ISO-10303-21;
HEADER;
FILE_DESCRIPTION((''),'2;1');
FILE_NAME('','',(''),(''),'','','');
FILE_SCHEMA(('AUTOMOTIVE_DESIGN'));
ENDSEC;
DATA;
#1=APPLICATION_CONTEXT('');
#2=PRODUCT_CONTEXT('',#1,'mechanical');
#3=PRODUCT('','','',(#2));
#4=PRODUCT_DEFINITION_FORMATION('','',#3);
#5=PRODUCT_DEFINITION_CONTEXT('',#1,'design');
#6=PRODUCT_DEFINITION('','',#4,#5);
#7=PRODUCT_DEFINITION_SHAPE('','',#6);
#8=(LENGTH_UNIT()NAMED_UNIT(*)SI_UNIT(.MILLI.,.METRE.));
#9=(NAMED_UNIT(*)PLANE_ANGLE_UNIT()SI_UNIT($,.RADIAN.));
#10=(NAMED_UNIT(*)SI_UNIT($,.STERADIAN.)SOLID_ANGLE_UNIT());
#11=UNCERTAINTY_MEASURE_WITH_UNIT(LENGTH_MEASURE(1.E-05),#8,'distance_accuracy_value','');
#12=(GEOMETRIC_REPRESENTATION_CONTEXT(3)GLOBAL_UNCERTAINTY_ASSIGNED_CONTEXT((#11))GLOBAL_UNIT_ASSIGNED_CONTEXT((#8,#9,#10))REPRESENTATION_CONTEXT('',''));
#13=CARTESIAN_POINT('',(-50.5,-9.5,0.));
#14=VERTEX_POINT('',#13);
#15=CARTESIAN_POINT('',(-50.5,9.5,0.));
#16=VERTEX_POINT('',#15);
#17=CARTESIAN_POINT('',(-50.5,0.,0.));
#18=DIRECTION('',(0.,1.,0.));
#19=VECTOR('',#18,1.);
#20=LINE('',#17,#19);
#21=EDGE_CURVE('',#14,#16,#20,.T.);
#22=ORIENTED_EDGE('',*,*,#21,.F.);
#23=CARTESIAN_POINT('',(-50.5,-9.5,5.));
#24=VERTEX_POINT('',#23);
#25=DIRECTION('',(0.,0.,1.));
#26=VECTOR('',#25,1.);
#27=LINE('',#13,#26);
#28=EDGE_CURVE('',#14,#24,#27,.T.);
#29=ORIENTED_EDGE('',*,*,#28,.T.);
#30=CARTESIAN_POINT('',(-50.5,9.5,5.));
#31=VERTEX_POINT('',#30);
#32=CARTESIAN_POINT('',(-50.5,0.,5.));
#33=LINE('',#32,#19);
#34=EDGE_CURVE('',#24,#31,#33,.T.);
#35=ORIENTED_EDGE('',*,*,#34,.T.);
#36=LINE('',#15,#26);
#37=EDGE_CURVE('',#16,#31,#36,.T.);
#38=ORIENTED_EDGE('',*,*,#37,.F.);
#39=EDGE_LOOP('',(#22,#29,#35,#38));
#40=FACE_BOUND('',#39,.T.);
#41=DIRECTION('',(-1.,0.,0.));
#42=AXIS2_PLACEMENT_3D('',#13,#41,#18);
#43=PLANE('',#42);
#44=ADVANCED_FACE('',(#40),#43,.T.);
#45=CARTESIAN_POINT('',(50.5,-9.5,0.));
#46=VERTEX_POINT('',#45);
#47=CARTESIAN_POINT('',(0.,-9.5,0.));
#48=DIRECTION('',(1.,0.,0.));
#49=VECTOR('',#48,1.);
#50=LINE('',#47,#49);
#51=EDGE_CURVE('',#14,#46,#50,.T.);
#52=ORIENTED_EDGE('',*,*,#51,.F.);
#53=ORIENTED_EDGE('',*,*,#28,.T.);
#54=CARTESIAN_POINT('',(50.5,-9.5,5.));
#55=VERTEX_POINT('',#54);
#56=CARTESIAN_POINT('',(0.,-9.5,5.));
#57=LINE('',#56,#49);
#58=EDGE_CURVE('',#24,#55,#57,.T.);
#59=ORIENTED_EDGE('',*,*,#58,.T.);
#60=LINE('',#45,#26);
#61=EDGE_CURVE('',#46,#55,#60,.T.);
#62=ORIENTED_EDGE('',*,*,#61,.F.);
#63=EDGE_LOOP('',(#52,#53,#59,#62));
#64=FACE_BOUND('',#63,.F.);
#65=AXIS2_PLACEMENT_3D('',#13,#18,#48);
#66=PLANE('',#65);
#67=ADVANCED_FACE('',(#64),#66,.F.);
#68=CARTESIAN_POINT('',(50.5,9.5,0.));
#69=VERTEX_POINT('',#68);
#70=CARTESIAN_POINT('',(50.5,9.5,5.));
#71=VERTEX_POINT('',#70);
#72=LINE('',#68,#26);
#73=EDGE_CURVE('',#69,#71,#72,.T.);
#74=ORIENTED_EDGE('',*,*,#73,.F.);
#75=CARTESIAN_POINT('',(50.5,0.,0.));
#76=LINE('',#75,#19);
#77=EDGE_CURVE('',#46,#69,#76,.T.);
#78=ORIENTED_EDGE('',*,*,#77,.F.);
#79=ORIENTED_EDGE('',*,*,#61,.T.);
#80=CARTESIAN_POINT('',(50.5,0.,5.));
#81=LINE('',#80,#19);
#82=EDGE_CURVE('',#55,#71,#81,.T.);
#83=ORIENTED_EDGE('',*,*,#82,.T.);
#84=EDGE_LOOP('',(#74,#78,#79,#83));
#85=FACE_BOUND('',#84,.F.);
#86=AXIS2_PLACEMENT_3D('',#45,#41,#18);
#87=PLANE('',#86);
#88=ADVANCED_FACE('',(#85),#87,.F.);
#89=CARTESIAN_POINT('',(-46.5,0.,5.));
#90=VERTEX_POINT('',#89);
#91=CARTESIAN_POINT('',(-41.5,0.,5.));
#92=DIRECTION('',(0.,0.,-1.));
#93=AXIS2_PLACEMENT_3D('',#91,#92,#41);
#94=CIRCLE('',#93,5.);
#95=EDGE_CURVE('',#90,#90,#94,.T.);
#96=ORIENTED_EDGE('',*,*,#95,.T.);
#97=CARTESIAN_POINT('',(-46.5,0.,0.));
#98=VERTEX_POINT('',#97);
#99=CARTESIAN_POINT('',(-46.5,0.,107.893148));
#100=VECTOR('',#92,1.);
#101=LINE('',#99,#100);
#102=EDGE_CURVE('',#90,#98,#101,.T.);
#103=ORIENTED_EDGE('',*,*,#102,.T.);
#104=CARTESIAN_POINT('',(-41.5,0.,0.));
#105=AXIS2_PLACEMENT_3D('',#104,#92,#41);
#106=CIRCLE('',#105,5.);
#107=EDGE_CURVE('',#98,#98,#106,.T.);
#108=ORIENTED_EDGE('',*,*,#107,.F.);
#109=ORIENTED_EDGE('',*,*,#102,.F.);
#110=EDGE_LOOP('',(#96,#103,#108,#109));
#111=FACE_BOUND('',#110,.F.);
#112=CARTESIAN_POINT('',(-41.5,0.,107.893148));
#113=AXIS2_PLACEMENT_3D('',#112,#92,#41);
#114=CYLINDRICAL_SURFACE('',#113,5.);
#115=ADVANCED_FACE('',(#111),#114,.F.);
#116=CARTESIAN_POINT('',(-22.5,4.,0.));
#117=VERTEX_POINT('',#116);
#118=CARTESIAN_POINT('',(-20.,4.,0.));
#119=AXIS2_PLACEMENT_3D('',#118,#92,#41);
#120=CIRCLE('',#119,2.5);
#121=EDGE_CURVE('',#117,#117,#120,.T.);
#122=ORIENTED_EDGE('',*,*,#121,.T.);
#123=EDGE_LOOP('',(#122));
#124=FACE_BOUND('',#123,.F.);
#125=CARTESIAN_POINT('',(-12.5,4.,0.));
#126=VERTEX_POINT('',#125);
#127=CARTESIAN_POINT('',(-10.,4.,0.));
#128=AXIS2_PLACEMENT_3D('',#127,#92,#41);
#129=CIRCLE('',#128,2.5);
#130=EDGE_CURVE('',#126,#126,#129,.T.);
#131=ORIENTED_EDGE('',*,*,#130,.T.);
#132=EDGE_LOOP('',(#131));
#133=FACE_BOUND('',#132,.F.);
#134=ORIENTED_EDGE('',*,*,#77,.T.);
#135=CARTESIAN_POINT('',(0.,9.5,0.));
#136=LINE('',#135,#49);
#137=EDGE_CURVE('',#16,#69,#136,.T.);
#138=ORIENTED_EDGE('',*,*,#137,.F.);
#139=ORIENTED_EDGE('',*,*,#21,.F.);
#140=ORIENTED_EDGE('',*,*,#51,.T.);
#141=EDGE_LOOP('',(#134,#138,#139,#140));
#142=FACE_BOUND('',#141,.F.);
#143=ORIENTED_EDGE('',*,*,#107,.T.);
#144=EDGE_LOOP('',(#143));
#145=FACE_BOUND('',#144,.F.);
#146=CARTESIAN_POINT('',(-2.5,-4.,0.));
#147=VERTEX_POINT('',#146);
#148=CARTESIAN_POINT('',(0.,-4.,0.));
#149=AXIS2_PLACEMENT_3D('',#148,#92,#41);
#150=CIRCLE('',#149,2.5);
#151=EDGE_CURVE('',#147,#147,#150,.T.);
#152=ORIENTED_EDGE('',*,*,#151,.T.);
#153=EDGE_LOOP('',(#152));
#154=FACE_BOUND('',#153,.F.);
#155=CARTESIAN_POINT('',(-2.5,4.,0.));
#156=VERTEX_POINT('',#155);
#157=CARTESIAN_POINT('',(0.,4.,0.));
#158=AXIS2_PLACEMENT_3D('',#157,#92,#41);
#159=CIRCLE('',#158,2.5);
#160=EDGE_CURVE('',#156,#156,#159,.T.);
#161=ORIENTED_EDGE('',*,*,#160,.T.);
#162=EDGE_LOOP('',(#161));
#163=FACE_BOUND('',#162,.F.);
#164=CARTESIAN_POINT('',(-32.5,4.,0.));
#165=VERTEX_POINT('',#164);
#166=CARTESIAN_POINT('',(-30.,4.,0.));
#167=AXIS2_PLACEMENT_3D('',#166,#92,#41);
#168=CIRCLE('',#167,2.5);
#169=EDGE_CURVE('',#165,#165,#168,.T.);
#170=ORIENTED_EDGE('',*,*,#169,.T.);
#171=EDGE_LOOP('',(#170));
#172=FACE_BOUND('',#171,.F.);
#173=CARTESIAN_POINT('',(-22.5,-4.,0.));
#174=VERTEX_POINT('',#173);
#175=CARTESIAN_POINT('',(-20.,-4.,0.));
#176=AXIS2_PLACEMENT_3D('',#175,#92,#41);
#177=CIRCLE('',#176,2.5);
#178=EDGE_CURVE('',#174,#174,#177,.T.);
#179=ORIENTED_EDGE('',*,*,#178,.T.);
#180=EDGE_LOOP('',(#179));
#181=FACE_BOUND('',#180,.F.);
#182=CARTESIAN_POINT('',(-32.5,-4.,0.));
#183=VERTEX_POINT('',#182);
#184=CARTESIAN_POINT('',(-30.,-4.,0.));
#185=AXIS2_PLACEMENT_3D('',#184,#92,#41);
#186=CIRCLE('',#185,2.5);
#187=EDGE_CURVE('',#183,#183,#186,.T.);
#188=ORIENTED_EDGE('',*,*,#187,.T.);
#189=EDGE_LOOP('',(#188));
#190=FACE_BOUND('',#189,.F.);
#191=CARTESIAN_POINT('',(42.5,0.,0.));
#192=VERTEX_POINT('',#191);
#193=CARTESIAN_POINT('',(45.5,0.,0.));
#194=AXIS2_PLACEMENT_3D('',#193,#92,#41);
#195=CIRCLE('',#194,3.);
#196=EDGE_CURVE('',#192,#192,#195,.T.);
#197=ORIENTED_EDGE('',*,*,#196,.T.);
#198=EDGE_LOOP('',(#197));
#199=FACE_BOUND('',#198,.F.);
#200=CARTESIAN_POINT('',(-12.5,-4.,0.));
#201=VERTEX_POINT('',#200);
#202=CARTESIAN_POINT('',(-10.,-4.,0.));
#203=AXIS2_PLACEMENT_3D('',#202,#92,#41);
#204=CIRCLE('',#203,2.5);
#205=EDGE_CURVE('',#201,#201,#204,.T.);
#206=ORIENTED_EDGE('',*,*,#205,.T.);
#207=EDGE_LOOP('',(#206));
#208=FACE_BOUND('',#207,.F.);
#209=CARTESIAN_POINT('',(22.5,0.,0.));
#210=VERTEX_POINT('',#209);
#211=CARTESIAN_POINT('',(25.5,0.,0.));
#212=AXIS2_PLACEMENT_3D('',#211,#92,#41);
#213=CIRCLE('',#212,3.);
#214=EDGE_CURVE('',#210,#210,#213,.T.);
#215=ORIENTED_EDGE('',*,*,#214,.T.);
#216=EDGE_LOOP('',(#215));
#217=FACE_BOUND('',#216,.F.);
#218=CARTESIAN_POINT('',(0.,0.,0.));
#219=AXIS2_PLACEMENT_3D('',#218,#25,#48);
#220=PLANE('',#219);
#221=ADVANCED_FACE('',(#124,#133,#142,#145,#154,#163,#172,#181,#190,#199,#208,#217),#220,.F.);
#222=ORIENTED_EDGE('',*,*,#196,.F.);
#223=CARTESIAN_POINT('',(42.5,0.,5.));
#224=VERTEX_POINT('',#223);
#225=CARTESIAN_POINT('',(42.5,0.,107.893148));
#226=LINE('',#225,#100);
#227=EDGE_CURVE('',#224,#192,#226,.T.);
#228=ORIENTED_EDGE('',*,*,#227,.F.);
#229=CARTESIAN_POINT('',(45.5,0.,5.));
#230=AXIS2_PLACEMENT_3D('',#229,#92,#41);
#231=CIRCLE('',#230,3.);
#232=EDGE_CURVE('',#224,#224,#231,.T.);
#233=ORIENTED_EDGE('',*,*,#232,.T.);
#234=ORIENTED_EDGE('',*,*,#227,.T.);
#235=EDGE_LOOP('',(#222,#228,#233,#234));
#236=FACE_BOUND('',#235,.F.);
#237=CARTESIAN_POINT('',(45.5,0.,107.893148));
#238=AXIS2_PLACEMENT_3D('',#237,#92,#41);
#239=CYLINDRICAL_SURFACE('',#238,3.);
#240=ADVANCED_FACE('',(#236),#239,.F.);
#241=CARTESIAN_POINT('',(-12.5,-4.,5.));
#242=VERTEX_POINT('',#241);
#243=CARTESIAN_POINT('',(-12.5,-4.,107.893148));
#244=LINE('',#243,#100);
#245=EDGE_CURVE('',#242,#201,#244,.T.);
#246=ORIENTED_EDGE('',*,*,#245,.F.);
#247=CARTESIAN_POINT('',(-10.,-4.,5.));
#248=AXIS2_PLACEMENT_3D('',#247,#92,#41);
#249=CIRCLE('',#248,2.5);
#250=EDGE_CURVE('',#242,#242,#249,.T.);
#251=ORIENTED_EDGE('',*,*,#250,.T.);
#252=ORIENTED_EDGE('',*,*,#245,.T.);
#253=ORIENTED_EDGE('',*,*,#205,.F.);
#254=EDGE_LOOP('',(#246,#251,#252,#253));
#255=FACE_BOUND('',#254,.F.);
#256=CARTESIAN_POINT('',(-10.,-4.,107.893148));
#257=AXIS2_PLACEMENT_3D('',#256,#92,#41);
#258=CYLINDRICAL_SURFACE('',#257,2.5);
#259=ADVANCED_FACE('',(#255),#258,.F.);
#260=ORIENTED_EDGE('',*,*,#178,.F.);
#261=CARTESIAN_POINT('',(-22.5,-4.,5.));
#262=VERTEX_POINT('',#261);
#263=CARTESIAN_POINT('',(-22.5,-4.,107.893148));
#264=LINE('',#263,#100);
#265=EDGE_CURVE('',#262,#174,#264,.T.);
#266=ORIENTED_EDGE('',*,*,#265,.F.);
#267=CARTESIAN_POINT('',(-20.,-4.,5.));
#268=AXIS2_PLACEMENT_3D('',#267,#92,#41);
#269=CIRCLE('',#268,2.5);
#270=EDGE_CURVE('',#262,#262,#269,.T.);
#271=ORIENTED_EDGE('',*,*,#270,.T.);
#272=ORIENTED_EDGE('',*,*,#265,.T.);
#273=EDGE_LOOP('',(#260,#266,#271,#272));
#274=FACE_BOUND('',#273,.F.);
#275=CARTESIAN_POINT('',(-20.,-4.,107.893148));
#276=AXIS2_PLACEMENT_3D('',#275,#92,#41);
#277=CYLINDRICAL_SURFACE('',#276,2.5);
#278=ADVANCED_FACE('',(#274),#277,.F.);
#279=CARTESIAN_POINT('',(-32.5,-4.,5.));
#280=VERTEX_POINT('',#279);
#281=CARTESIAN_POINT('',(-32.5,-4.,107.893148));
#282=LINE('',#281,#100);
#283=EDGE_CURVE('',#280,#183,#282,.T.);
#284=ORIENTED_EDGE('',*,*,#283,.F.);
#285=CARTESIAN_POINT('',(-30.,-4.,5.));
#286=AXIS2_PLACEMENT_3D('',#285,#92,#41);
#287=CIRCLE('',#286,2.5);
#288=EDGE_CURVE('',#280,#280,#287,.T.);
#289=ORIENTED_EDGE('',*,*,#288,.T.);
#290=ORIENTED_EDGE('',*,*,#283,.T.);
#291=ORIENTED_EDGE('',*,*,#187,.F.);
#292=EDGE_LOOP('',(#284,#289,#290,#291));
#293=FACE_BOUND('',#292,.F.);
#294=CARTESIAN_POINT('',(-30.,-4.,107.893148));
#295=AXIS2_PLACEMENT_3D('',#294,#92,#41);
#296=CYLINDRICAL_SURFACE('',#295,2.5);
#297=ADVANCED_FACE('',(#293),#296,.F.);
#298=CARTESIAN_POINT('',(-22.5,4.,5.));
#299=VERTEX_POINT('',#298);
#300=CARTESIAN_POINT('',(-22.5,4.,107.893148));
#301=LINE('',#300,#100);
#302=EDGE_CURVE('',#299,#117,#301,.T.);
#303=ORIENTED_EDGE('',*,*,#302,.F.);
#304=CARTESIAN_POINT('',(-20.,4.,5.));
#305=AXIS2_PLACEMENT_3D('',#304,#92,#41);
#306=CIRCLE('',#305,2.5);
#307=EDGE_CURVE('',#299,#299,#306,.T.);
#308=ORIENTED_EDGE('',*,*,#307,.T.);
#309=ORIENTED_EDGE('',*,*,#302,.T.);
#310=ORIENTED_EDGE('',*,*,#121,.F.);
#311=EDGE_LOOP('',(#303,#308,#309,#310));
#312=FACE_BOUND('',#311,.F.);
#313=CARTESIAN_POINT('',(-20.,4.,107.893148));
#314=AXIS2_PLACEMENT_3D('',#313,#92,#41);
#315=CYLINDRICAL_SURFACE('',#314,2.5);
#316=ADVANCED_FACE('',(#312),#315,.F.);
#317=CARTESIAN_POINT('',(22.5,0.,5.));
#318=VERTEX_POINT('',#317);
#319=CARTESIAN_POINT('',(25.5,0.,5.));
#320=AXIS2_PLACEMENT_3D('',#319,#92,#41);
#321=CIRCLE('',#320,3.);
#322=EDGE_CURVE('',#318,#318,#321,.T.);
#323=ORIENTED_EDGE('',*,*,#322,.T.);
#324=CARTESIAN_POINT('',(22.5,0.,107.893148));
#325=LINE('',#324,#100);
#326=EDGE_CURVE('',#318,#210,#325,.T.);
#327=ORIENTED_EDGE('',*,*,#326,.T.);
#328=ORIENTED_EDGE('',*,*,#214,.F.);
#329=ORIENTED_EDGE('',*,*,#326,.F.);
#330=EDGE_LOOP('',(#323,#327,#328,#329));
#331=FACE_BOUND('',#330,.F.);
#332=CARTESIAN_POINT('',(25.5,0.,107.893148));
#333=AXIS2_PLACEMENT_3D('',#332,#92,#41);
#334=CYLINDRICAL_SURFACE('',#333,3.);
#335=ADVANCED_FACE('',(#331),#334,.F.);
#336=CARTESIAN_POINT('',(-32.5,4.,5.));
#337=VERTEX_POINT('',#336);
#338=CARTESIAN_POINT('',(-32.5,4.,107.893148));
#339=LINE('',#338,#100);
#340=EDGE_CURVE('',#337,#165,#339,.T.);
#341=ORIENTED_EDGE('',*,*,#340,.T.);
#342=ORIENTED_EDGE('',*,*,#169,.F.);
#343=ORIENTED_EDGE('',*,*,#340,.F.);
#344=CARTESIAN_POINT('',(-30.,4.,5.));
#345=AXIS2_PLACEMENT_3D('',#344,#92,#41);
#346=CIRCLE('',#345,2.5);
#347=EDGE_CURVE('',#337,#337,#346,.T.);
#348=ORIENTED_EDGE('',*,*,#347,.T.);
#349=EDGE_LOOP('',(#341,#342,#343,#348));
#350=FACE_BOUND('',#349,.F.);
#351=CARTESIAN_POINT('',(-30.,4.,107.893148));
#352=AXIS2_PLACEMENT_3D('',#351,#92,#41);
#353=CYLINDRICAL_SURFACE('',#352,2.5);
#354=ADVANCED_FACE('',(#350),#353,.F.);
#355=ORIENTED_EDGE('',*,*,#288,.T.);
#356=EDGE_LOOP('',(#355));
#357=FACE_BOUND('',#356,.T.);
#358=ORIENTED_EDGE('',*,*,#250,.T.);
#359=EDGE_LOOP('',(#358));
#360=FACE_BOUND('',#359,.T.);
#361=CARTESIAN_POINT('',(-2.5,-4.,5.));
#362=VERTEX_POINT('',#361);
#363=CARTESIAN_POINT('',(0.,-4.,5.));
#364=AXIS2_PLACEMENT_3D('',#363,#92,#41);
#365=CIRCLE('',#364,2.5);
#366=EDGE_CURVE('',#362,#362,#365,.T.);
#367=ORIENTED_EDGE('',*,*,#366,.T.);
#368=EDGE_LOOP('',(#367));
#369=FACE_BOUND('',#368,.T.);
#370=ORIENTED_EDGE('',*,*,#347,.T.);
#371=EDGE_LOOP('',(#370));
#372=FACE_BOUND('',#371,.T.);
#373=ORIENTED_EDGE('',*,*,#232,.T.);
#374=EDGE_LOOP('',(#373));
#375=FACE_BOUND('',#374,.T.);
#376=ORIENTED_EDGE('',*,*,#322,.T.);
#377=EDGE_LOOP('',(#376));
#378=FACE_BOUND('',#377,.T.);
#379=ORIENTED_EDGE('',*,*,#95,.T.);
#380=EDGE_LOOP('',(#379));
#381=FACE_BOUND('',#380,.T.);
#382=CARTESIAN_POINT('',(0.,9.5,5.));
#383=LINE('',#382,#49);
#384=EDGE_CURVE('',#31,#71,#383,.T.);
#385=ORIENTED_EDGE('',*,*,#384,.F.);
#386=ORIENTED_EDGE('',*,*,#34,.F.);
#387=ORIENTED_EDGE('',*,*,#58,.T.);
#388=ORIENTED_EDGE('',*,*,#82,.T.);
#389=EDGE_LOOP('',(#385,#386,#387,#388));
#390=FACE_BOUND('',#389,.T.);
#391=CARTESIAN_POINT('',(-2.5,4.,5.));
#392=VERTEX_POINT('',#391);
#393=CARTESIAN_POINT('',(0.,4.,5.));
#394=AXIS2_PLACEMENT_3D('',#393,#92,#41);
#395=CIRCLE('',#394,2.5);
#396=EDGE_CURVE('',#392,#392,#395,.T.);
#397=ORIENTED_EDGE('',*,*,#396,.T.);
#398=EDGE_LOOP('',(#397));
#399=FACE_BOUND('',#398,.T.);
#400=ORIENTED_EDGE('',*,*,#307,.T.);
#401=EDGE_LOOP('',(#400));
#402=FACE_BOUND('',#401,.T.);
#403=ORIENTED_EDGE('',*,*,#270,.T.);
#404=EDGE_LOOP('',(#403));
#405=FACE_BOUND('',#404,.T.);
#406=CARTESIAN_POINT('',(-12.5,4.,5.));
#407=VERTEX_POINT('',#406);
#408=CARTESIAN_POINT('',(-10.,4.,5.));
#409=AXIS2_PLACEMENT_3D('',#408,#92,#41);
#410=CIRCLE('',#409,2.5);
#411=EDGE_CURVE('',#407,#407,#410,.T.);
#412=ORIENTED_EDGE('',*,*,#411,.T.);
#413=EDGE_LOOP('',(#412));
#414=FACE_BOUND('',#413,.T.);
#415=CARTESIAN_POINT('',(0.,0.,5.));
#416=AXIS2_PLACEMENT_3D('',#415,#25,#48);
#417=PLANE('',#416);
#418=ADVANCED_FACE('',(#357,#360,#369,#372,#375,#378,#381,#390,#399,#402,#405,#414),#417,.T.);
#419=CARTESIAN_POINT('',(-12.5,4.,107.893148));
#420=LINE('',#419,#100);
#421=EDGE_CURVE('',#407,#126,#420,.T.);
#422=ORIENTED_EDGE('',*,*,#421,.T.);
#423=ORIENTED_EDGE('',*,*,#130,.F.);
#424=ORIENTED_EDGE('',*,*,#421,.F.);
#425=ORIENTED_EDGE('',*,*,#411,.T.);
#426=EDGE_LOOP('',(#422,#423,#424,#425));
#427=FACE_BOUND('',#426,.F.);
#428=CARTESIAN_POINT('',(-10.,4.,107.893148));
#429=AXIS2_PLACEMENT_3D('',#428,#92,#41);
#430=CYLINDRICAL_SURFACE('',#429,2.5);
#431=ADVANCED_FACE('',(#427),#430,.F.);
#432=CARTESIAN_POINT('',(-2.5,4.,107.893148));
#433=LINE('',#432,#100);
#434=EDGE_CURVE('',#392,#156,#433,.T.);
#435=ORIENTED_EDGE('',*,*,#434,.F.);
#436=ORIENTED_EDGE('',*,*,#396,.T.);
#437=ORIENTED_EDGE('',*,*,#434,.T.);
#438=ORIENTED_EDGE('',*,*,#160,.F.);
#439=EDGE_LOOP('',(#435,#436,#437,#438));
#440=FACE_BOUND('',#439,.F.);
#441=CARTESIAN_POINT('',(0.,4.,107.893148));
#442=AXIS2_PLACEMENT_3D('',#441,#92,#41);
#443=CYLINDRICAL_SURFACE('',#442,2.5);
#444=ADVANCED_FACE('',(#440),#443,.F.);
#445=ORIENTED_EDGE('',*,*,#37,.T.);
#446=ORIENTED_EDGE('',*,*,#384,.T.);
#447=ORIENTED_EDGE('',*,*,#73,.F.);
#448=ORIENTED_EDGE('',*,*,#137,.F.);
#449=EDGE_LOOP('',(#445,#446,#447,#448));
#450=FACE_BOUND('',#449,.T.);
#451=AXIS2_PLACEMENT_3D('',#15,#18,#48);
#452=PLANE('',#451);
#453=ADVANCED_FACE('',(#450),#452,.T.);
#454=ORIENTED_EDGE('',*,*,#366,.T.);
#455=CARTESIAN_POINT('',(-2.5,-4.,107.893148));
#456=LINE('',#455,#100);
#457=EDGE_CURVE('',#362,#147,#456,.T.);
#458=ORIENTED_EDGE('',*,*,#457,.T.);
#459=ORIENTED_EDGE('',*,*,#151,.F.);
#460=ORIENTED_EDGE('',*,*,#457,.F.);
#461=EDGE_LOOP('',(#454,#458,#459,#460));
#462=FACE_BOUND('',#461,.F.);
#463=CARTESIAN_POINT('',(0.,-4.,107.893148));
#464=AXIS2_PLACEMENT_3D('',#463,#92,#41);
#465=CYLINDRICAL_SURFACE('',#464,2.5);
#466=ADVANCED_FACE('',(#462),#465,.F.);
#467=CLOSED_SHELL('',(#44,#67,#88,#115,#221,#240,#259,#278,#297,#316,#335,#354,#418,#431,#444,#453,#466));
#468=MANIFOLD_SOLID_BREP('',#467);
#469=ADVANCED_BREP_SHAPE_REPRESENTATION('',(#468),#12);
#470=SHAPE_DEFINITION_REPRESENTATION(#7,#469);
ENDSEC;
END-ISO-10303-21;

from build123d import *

# Parameters (mm, degrees)
F0_W     = 101
F0_H     = 19
F1_DEPTH = 5
F3_D     = 6
F5_D     = 10
F7_D     = 5


with BuildPart() as f1:
    # F0 (on Top) → F1 (new body)
    with BuildSketch(Plane.XY):
        Rectangle(F0_W, F0_H)
    extrude(amount=F1_DEPTH)

    # F3 (through all)
    with Locations(Plane.XY.offset(5)):
        with Locations((25.5, 0), (45.5, 0)):
            Hole(F3_D / 2)

    # F5 (through all)
    with Locations(Plane.XY.offset(5)):
        with Locations((-41.5, 0)):
            Hole(F5_D / 2)

    # F7 (through all)
    with Locations(Plane.XY.offset(5)):
        with Locations((-30, 4), (-20, 4), (-10, 4), (0, 4), (0, -4), (-10, -4), (-20, -4), (-30, -4)):
            Hole(F7_D / 2)


solid = f1.part
